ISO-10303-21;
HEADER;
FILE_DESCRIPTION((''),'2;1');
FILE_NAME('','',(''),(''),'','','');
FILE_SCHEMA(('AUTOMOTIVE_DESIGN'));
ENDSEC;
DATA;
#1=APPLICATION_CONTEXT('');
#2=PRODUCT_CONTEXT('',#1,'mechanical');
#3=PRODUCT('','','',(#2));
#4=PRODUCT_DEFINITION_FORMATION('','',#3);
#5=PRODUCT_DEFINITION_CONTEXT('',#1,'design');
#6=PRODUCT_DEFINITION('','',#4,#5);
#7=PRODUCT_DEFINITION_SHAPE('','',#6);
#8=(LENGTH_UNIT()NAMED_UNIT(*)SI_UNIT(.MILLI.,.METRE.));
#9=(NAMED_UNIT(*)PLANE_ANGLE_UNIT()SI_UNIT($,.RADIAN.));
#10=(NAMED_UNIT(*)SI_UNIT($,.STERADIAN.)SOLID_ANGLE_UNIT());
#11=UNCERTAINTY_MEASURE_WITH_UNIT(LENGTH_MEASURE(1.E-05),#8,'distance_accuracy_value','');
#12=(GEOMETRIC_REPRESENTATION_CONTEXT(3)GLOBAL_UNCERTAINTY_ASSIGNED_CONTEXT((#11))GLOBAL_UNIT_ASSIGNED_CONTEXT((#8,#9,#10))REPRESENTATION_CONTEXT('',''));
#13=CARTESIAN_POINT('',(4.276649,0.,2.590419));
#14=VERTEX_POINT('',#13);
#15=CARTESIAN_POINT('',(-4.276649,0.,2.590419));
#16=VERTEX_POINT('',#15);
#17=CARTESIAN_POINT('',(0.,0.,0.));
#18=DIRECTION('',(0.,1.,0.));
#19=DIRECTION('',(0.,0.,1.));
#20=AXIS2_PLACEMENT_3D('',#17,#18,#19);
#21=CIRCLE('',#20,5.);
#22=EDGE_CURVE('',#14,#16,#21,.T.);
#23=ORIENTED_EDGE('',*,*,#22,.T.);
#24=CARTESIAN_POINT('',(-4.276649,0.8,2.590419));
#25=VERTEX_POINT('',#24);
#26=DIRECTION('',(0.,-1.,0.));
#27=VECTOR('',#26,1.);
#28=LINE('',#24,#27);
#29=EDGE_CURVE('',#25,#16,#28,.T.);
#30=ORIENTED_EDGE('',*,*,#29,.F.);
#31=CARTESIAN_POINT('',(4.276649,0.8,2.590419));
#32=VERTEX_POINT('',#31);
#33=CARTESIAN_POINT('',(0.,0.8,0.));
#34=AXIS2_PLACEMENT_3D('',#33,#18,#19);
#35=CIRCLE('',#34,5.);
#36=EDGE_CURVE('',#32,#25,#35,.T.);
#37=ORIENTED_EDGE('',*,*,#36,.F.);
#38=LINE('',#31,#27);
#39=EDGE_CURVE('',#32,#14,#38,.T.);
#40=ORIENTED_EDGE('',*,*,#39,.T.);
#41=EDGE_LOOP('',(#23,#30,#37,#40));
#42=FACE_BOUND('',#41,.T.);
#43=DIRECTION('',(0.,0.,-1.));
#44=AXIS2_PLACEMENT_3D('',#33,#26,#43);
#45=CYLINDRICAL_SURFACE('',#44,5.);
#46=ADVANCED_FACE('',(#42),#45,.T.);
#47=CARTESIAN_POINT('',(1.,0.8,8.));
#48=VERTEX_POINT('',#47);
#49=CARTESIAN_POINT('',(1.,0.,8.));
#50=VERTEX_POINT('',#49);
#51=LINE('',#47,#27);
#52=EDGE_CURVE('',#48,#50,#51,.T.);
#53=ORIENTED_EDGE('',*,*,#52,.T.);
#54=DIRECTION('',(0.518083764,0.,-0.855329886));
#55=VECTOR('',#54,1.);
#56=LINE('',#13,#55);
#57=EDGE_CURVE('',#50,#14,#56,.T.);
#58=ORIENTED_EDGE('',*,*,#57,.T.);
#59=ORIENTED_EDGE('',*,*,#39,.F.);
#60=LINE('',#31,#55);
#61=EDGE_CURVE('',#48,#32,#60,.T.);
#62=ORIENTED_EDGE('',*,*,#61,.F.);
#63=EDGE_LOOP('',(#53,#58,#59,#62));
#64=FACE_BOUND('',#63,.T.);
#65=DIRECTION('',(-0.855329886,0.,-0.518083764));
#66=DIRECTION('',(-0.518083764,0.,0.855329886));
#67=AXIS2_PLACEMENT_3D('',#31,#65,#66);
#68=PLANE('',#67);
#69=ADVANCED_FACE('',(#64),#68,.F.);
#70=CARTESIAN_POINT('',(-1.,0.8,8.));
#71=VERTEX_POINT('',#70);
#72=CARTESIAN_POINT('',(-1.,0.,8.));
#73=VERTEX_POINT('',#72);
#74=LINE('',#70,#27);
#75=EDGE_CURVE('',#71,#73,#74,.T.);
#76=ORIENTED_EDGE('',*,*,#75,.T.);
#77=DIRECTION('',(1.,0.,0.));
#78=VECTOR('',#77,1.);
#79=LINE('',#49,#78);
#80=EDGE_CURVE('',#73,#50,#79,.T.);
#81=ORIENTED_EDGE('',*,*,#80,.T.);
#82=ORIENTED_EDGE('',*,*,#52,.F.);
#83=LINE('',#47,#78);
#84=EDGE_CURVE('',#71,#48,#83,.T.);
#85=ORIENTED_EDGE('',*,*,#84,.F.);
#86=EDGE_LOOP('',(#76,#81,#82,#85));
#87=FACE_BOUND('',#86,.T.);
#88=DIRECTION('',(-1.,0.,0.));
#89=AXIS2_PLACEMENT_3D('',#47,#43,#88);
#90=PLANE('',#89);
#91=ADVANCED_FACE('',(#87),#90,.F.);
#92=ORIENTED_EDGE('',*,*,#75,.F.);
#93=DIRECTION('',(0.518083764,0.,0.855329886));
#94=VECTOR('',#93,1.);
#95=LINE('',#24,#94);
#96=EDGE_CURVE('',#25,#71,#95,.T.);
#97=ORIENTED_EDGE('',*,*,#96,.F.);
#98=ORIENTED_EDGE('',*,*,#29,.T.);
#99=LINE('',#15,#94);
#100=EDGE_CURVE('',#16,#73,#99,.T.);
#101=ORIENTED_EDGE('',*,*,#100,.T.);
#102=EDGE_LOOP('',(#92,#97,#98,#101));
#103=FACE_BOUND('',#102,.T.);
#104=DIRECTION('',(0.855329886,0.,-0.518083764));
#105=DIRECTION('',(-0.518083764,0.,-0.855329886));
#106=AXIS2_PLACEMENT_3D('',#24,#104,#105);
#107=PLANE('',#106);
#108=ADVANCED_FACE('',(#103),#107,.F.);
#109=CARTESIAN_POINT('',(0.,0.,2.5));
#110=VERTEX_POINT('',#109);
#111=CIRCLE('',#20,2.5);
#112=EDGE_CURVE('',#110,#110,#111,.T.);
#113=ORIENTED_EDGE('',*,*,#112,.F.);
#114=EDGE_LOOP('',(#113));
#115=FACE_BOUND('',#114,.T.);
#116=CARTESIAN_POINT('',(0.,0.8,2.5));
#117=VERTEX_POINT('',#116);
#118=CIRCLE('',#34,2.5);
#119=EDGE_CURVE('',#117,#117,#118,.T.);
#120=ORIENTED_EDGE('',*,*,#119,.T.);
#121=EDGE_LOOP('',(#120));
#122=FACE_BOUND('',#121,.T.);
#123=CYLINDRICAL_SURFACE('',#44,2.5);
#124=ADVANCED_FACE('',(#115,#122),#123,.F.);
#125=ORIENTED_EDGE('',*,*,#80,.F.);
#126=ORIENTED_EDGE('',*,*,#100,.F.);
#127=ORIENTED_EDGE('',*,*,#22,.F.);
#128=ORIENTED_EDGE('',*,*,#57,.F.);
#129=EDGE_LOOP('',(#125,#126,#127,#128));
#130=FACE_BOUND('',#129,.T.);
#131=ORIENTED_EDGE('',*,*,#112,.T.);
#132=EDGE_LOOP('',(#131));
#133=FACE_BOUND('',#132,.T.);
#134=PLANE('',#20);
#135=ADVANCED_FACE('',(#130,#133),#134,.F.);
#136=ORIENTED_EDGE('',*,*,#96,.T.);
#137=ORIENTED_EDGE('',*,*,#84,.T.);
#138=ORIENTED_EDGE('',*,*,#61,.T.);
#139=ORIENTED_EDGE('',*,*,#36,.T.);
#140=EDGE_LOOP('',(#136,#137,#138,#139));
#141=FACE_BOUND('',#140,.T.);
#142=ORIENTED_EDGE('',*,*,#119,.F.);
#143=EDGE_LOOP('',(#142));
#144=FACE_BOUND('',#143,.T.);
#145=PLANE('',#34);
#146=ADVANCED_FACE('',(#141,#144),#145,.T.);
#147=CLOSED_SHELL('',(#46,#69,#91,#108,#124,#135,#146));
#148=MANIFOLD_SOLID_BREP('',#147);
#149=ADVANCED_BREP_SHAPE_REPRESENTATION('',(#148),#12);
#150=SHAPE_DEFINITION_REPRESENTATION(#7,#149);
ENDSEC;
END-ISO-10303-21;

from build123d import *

# Parameters (mm, degrees)
SKETCH_1_R      = 2.5
EXTRUDE_1_DEPTH = 0.8


with BuildPart() as part:
    # 草图1 → 凸台-拉伸1 (new body)
    with BuildSketch(Plane(origin=(0, 0, 0), x_dir=(1, 0, 0), z_dir=(0, 1, 0))):
        with BuildLine():
            Line((-4.276649428, -2.590418822), (-1, -8))
            Line((-1, -8), (1, -8))
            Line((1, -8), (4.276649428, -2.590418822))
            ThreePointArc((4.276649428, -2.590418822), (0, 5), (-4.276649428, -2.590418822))
        make_face()
        with Locations(Location((0, 0, 0), (0, 0, 270))):
            Circle(SKETCH_1_R, mode=Mode.SUBTRACT)
    extrude(amount=EXTRUDE_1_DEPTH)


solid = part.part
